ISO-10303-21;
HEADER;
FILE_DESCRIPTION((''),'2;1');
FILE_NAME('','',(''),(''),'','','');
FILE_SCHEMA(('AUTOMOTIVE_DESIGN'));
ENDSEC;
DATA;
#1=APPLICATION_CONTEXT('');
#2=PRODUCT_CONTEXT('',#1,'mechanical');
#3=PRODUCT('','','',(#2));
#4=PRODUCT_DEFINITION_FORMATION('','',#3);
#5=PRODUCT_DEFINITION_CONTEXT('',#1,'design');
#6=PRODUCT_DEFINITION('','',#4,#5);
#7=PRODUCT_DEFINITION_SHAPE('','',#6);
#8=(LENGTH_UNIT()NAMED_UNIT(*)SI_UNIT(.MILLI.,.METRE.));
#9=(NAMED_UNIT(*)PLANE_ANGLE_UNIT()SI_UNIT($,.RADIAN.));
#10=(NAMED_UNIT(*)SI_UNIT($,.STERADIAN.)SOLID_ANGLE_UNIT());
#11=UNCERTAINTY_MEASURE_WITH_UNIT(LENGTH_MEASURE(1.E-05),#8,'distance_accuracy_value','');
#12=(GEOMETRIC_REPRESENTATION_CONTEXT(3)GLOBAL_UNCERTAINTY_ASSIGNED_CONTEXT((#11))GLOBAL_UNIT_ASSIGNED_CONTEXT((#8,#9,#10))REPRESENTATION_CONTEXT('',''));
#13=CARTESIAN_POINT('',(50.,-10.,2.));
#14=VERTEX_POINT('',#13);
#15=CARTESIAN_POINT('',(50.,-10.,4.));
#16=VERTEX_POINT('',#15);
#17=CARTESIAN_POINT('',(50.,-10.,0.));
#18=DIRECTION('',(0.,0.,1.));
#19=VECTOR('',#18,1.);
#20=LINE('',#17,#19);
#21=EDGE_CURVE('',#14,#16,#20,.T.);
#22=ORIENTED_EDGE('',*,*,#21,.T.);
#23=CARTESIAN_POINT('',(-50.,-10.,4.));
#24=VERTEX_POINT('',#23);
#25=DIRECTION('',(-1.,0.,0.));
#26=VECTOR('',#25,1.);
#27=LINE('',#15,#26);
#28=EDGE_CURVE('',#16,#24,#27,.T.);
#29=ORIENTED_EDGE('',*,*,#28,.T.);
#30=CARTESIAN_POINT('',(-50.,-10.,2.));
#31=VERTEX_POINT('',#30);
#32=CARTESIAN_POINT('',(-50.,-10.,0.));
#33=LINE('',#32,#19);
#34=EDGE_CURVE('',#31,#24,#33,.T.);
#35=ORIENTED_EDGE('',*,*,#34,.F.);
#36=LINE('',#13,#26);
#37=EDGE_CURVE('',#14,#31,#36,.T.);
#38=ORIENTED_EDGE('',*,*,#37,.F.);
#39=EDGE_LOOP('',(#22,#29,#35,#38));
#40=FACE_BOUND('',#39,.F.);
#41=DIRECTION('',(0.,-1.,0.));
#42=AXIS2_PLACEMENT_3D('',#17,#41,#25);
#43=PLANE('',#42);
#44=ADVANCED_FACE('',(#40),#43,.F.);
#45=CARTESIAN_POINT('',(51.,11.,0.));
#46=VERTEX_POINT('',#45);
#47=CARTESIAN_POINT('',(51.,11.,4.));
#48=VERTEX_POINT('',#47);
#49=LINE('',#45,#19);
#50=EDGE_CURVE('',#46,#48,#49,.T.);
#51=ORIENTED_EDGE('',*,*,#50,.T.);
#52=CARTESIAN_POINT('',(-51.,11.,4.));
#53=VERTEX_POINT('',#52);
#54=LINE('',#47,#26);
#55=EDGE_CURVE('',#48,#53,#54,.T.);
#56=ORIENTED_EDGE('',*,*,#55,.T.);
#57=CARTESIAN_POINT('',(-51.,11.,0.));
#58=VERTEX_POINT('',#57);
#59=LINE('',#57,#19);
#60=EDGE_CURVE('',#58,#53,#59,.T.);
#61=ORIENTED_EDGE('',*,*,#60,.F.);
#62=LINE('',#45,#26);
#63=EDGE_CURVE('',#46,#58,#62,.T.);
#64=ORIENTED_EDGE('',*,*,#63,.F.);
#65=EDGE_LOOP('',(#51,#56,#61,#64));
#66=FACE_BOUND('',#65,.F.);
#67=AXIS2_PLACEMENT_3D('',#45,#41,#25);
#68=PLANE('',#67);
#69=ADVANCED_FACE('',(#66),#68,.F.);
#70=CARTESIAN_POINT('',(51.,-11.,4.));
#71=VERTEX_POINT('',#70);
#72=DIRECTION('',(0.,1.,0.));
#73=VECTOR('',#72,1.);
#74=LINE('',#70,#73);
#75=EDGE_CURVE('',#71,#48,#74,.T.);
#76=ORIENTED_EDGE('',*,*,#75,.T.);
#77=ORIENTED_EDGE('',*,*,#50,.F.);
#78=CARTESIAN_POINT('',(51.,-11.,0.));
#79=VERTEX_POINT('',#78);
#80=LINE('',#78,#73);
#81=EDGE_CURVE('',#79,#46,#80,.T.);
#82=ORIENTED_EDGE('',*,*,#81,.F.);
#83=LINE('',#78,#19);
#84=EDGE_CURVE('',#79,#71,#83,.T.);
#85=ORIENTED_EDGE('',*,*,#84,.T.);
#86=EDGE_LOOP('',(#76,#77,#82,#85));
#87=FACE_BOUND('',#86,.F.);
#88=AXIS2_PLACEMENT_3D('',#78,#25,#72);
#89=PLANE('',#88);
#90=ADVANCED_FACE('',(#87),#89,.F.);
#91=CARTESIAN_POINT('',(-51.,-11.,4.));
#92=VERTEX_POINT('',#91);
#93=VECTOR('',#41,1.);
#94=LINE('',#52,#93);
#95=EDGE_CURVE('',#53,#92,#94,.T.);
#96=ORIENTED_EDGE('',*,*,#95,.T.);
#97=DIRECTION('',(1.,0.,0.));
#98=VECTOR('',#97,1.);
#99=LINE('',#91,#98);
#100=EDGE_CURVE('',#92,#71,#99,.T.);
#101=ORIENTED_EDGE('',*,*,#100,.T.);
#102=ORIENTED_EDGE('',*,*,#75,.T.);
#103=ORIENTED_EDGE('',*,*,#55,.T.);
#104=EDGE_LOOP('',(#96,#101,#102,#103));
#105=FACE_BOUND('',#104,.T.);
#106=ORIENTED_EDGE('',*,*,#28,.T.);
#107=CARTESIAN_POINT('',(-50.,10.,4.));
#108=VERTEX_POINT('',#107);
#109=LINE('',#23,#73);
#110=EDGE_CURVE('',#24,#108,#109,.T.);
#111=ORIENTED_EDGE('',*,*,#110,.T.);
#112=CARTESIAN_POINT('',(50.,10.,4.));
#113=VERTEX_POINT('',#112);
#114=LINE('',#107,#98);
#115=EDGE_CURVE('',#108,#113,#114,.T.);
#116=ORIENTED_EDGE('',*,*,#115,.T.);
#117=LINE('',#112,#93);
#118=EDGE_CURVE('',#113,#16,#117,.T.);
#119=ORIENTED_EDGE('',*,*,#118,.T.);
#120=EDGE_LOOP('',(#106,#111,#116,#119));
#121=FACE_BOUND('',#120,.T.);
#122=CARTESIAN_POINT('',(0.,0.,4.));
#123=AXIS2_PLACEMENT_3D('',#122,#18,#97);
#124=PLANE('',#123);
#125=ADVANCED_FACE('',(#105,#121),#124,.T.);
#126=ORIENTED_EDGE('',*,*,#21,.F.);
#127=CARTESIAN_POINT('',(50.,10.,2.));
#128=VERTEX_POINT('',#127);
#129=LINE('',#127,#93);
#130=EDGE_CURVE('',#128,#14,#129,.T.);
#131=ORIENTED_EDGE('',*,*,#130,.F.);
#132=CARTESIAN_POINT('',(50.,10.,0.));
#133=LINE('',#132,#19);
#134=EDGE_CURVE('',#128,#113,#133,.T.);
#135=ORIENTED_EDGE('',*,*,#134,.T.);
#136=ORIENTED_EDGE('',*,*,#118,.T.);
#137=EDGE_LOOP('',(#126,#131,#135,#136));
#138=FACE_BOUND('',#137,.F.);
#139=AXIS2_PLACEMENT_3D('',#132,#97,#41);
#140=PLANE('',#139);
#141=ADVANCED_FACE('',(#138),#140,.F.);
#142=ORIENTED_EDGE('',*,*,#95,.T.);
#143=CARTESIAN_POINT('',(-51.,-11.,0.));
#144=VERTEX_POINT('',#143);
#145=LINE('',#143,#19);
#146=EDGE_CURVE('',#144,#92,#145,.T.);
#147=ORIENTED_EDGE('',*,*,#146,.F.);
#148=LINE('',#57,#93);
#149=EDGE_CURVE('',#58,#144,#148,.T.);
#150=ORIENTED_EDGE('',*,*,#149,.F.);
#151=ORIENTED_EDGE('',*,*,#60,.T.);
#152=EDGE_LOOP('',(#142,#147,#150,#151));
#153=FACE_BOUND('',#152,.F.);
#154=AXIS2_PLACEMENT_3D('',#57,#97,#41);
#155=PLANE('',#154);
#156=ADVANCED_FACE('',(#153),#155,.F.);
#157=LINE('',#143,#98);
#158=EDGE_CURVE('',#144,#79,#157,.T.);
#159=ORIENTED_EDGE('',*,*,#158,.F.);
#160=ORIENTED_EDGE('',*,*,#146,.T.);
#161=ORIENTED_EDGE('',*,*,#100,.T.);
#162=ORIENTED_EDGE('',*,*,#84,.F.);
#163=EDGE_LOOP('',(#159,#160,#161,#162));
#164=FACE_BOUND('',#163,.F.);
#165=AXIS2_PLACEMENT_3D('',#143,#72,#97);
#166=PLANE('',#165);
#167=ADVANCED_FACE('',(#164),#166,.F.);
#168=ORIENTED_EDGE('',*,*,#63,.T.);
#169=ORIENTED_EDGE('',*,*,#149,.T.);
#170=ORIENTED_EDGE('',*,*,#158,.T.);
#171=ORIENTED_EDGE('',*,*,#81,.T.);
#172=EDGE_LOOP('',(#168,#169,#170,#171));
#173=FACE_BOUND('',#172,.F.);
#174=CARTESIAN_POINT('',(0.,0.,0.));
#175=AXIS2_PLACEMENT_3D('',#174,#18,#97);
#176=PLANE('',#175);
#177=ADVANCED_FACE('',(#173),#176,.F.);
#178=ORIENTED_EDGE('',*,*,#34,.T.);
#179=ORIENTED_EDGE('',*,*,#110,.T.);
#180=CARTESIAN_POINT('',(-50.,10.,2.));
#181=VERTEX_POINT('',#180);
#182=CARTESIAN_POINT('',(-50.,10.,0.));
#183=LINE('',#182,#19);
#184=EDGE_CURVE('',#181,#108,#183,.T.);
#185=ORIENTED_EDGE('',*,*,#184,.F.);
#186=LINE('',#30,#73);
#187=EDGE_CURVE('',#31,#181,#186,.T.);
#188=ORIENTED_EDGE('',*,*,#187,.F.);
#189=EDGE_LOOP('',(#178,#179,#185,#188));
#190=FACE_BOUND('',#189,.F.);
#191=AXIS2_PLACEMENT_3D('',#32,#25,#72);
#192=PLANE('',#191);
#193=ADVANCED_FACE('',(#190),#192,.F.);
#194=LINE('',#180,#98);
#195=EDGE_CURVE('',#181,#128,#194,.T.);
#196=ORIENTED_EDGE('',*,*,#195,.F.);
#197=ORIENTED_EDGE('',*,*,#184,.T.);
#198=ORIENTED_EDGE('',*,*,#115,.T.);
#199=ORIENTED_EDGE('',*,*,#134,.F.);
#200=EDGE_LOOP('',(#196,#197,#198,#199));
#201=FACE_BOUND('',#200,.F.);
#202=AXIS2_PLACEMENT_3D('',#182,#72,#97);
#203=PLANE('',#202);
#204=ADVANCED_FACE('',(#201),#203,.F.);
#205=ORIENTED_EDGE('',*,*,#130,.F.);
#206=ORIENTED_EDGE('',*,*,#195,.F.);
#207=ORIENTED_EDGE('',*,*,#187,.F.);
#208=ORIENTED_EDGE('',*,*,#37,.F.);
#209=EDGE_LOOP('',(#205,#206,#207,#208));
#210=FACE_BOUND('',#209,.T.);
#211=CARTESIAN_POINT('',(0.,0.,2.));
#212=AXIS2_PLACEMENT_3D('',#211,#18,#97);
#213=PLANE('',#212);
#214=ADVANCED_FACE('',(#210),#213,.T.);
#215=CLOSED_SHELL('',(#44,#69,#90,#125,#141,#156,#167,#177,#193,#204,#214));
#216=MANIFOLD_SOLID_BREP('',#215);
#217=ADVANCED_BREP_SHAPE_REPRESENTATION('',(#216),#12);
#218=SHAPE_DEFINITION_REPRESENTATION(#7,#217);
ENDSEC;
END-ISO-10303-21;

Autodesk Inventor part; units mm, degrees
ref_plane "YZ Plane" through (0, 0, 0) normal (1, 0, 0) x (0, 1, 0)
ref_plane "XZ Plane" through (0, 0, 0) normal (0, 1, 0) x (-1, 0, 0)
ref_plane "XY Plane" through (0, 0, 0) normal (0, 0, 1) x (1, 0, 0)
sketch "Sketch1" plane through (0, 0, 0) normal (0, 0, 1) x (1, 0, 0)
  line L0 (-50, 10) -> (50, 10)
  line L1 (50, 10) -> (50, -10)
  line L2 (50, -10) -> (-50, -10)
  line L3 (-50, -10) -> (-50, 10)
  line L4 (-50, 10) -> (50, -10) construction
  line L5 (50, 10) -> (-50, -10) construction
  line L6 (51, 11) -> (-51, 11)
  line L7 (-51, 11) -> (-51, -11)
  line L8 (-51, -11) -> (51, -11)
  line L9 (51, -11) -> (51, 11)
  point P0 (0, 0)
  dimension "d0" = 100
  dimension "d1" = 20
  dimension "d2" = 1
extrude "Extrusion1" add sketch "Sketch1" along normal blind 2 contours L0 L1 L2 L3
extrude "Extrusion2" add sketch "Sketch1" along normal blind 4
properties part number "eit_chamber_solid_base"
